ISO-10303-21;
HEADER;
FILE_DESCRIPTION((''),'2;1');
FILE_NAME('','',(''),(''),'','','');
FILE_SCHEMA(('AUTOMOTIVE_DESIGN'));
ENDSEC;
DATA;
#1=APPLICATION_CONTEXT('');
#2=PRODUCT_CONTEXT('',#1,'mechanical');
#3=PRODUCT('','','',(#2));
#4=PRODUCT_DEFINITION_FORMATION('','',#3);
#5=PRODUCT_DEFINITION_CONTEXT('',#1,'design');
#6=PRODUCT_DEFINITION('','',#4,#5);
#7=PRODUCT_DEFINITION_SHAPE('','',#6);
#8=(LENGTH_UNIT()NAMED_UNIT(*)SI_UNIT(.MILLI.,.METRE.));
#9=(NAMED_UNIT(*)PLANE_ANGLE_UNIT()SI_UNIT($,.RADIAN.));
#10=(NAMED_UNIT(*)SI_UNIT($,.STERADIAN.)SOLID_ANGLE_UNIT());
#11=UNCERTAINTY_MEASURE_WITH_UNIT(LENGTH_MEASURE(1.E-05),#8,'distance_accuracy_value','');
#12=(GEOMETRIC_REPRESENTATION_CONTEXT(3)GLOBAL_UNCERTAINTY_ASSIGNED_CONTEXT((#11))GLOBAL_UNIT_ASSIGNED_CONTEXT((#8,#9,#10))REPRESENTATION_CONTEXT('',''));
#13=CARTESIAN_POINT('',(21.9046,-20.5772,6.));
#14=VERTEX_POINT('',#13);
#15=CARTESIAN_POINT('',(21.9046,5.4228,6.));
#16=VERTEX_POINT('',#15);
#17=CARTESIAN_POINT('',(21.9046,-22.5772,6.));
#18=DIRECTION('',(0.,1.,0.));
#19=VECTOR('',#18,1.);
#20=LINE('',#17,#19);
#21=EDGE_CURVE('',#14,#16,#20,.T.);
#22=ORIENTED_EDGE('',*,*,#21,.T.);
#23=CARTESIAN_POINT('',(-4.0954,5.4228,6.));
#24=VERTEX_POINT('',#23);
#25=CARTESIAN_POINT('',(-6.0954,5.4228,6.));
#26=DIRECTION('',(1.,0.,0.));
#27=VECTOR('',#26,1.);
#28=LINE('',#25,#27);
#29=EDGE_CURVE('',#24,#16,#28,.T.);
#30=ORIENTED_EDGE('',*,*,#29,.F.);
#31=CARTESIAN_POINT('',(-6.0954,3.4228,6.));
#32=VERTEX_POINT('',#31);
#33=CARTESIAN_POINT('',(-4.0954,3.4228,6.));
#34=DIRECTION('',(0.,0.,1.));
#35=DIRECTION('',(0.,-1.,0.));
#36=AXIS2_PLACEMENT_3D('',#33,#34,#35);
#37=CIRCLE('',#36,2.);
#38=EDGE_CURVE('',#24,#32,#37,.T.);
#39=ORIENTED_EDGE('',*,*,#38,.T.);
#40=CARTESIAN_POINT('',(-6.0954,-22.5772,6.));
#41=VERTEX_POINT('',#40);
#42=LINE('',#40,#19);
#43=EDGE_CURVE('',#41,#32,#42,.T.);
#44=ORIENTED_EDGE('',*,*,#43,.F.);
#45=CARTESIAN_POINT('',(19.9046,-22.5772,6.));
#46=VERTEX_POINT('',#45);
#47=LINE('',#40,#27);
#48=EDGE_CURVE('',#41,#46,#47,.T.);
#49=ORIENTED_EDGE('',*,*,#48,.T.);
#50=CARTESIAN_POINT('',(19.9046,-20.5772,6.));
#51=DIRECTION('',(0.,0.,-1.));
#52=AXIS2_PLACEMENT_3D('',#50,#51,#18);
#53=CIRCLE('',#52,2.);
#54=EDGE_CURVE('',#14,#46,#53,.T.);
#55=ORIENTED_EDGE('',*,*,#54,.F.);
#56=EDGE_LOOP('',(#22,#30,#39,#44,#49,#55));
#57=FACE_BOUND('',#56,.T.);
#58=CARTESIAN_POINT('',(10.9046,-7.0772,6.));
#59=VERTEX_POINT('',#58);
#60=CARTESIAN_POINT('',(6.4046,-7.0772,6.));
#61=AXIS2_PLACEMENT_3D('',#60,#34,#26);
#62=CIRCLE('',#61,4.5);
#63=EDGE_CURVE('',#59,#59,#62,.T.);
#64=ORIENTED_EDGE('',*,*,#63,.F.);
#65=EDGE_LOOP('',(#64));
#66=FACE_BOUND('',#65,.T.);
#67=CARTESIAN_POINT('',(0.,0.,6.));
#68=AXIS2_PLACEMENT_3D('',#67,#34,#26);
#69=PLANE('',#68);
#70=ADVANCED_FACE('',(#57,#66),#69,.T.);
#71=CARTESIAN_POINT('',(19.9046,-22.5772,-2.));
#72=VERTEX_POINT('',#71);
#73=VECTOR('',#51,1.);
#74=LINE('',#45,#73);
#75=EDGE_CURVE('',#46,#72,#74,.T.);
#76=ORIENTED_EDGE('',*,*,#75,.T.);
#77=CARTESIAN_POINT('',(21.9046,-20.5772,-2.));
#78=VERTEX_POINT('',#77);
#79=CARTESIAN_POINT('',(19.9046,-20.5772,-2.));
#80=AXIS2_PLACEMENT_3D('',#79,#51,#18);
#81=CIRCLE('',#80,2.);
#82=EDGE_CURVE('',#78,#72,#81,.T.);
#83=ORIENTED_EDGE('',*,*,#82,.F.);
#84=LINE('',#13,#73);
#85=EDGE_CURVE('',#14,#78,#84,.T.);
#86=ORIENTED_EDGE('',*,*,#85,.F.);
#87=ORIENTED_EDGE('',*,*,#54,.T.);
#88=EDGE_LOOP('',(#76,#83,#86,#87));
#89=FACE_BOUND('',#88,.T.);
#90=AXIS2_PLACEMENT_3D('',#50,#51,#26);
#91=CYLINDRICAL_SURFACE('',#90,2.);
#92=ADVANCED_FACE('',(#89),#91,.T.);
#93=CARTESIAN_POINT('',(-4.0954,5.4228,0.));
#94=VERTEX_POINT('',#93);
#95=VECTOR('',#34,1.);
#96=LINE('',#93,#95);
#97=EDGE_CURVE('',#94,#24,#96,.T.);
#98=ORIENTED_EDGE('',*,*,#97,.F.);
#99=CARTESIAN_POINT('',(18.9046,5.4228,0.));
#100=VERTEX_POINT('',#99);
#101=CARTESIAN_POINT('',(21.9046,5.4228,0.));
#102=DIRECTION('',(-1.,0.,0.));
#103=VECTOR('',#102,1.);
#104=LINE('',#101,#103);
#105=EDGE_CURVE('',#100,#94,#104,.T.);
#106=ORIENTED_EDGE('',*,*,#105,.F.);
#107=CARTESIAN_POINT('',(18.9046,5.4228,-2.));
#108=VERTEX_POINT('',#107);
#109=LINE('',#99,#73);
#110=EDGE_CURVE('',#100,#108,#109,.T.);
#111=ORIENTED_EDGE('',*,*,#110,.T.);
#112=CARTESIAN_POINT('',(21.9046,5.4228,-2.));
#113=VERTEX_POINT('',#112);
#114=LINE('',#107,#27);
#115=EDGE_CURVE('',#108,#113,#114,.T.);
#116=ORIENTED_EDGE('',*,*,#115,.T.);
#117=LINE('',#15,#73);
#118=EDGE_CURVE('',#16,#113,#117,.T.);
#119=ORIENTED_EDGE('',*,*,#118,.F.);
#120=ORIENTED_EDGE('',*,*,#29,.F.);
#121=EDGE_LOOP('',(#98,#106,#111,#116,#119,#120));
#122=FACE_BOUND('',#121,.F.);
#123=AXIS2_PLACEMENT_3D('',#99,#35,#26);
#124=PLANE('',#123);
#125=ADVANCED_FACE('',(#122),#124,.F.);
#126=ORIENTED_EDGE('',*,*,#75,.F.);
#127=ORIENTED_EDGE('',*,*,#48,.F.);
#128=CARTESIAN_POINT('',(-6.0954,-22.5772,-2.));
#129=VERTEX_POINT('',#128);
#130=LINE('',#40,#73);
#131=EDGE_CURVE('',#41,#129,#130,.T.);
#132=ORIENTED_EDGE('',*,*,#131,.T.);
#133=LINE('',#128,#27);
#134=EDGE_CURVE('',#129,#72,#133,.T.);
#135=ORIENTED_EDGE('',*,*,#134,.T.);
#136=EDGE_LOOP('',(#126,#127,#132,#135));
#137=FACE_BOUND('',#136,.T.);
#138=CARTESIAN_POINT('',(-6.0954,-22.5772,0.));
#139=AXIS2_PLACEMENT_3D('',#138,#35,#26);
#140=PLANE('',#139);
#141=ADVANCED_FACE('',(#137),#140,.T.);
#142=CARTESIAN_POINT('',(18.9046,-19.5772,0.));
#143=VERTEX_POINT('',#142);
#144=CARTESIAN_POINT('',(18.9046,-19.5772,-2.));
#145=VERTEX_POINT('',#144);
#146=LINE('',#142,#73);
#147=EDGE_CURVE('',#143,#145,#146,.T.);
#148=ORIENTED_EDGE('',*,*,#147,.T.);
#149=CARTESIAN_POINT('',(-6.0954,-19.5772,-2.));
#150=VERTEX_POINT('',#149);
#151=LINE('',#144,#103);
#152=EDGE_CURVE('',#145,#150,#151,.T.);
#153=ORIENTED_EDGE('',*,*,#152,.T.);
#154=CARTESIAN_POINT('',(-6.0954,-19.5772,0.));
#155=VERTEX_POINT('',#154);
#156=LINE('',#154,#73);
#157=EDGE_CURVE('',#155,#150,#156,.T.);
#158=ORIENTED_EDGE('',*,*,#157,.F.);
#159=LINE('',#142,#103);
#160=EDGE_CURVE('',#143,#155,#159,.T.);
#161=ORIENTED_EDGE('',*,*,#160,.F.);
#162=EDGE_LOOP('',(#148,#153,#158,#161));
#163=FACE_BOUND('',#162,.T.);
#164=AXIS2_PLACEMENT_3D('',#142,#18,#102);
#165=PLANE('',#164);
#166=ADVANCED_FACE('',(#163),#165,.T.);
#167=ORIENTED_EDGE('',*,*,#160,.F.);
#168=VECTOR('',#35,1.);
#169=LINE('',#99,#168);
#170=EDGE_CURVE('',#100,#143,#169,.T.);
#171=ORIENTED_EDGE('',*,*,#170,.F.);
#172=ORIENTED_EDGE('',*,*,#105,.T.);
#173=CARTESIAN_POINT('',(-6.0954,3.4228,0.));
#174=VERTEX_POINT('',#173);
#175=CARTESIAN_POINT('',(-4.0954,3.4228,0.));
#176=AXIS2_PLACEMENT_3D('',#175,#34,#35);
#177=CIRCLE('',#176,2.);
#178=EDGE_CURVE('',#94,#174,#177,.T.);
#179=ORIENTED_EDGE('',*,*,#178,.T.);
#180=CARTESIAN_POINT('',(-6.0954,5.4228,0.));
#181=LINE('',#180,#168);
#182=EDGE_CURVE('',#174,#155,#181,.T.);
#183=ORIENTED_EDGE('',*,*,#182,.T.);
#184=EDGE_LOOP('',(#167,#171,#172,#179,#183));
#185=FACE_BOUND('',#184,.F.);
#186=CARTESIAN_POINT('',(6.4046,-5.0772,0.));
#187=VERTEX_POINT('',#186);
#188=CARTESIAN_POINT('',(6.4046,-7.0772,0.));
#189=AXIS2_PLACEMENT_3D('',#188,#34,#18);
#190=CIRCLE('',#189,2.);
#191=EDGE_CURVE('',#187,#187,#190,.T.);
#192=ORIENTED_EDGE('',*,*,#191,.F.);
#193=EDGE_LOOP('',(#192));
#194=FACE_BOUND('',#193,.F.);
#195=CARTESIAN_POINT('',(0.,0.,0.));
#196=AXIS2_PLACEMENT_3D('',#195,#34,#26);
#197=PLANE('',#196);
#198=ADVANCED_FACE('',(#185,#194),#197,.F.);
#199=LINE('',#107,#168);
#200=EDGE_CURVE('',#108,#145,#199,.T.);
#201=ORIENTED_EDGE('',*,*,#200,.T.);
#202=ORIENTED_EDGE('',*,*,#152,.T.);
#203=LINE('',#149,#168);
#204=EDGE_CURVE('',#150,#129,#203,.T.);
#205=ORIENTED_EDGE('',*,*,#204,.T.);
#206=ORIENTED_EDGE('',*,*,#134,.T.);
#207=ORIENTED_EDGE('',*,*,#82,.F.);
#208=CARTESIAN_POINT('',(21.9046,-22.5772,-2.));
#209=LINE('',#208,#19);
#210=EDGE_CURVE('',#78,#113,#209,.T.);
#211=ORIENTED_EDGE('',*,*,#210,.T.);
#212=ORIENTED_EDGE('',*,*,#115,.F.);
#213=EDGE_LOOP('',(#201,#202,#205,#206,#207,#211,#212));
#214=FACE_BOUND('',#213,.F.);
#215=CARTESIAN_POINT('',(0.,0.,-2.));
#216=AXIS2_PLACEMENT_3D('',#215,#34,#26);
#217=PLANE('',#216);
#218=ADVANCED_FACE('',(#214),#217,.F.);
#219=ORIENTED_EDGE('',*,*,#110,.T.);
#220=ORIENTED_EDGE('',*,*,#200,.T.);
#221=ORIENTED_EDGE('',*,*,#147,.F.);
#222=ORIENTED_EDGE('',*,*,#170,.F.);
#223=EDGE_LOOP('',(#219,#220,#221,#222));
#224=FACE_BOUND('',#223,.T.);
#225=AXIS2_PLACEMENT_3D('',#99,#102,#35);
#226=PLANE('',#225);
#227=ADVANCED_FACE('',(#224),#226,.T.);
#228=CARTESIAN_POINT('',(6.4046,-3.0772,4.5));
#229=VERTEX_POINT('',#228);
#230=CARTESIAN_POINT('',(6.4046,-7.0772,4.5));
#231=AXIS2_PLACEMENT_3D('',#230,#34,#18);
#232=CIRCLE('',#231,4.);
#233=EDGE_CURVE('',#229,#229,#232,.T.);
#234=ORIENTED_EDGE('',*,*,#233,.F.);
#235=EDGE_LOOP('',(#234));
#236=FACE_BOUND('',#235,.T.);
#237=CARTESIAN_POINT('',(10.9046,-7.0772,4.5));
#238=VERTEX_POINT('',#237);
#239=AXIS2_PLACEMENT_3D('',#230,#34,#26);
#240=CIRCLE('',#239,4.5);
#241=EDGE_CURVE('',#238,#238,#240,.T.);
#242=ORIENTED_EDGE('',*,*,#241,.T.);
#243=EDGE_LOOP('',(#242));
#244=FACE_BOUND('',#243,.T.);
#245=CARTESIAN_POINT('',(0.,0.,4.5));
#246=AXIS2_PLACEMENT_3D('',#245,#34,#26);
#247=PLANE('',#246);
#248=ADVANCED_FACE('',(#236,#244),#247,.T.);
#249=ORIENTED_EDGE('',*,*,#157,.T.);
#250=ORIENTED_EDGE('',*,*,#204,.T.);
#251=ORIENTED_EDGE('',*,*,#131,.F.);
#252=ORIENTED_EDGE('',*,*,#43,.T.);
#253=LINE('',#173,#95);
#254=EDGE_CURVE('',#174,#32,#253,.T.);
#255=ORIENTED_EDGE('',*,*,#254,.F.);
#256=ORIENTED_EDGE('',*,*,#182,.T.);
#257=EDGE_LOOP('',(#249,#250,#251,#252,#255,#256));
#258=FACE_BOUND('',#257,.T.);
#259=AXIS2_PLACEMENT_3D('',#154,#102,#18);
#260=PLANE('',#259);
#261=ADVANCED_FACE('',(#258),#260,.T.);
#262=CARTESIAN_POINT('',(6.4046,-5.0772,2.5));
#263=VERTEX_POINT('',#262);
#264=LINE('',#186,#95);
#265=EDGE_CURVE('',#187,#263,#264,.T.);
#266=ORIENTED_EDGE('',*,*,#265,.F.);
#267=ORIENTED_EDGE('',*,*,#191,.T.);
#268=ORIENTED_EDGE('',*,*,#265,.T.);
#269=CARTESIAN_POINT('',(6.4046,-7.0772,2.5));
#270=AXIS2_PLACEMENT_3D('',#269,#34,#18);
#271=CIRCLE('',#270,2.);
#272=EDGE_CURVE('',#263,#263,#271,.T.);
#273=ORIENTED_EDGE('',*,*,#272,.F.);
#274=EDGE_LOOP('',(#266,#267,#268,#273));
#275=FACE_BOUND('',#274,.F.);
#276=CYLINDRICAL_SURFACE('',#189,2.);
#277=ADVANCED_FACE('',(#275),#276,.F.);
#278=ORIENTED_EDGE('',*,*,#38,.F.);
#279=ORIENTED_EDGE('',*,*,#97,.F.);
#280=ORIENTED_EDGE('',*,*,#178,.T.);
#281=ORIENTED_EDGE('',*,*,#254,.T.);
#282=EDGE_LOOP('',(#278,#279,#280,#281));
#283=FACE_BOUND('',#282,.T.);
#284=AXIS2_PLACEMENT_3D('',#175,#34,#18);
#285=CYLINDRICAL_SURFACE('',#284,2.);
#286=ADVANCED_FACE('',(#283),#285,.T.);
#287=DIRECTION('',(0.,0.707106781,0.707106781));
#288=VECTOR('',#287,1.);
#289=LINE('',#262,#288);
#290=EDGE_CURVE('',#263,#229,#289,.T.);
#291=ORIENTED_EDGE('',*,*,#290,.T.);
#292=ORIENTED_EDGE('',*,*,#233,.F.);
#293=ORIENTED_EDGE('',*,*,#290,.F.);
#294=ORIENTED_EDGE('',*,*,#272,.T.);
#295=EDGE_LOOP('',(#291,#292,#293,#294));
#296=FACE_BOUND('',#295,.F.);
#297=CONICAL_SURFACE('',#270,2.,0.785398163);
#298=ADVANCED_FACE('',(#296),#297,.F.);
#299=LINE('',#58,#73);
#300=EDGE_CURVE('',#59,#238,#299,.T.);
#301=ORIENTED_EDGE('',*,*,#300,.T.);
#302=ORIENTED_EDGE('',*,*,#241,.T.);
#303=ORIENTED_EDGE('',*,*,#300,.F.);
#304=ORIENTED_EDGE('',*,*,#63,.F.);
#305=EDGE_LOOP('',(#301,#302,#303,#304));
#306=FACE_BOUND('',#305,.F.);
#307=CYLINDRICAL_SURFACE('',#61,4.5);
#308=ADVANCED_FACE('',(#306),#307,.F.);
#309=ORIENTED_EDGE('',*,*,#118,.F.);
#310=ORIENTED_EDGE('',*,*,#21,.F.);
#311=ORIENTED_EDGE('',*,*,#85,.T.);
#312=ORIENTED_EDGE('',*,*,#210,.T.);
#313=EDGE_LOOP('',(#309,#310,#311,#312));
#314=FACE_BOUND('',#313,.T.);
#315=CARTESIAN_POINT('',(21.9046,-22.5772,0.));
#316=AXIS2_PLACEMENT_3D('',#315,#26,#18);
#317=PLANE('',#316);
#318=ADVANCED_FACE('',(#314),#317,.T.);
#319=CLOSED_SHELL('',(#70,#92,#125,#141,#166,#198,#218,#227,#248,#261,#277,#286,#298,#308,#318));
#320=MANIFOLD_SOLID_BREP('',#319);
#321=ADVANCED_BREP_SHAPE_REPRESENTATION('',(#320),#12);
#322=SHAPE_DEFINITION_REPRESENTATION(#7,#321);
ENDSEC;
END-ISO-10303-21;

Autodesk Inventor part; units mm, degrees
ref_plane "YZ Plane" through (0, 0, 0) normal (1, 0, 0) x (0, 1, 0)
ref_plane "XZ Plane" through (0, 0, 0) normal (0, 1, 0) x (-1, 0, 0)
ref_plane "XY Plane" through (0, 0, 0) normal (0, 0, 1) x (1, 0, 0)
sketch "Sketch1" plane through (0, 0, 0) normal (0, 0, 1) x (1, 0, 0)
  line L0 (-6.0954, 5.4228) -> (18.9046, 5.4228)
  line L1 (18.9046, 5.4228) -> (18.9046, -19.5772)
  line L2 (18.9046, -19.5772) -> (-6.0954, -19.5772)
  line L3 (-6.0954, -19.5772) -> (-6.0954, 5.4228)
  line L4 (-6.0954, -22.5772) -> (21.9046, -22.5772)
  line L5 (21.9046, -22.5772) -> (21.9046, 5.4228)
  line L6 (18.9046, 5.4228) -> (21.9046, 5.4228)
  line L7 (-6.0954, -19.5772) -> (-6.0954, -22.5772)
  point P0 (0, 0)
  point P1 (6.4046, -7.0772)
  dimension "d0" = 25
  dimension "d1" = 25
  dimension "d2" = 3
  dimension "d3" = 3
  dimension "d4" = 12.5
  dimension "d5" = 12.5
extrude "Extrusion1" add sketch "Sketch1" along normal blind 6
extrude "Extrusion2" add sketch "Sketch1" against normal blind 2 contours L6 L5 L4 L7 L2 L1
hole "Hole1" at (6.4046, -7.0772, 0) direction (0, 0, 1) diameter 4 end through all
sketch "Sketch2" plane through (0, 0, 6) normal (0, 0, 1) x (1, 0, 0)
  circle A0 centre (6.4046, -7.0772) radius 2 projected
  line L0 (-6.0954, 5.4228) -> (-6.0954, -22.5772) projected
  line L1 (-6.0954, -22.5772) -> (21.9046, -22.5772) projected
  line L2 (21.9046, -22.5772) -> (21.9046, 5.4228) projected
  line L3 (21.9046, 5.4228) -> (-6.0954, 5.4228) projected
  circle A1 centre (6.4046, -7.0772) radius 2 projected
  circle A2 centre (6.4046, -7.0772) radius 4.5
  point P0 (0, 0)
  dimension "d17" = 9
extrude "Extrusion3" cut sketch "Sketch2" against normal blind 1.5 contours A2
chamfer "Chamfer1" distance 2 angle 45 1 edges at (6.4046, -9.0772, 4.5)
fillet "Fillet1" radius 2 2 edges at (21.9046, -22.5772, 2) (-6.0954, 5.4228, 3)
equation "\"d4\" = 0.5 * d0"
properties part number "3DP_PLA_Base_plate_corner_leg" material "ABS Plastic"
